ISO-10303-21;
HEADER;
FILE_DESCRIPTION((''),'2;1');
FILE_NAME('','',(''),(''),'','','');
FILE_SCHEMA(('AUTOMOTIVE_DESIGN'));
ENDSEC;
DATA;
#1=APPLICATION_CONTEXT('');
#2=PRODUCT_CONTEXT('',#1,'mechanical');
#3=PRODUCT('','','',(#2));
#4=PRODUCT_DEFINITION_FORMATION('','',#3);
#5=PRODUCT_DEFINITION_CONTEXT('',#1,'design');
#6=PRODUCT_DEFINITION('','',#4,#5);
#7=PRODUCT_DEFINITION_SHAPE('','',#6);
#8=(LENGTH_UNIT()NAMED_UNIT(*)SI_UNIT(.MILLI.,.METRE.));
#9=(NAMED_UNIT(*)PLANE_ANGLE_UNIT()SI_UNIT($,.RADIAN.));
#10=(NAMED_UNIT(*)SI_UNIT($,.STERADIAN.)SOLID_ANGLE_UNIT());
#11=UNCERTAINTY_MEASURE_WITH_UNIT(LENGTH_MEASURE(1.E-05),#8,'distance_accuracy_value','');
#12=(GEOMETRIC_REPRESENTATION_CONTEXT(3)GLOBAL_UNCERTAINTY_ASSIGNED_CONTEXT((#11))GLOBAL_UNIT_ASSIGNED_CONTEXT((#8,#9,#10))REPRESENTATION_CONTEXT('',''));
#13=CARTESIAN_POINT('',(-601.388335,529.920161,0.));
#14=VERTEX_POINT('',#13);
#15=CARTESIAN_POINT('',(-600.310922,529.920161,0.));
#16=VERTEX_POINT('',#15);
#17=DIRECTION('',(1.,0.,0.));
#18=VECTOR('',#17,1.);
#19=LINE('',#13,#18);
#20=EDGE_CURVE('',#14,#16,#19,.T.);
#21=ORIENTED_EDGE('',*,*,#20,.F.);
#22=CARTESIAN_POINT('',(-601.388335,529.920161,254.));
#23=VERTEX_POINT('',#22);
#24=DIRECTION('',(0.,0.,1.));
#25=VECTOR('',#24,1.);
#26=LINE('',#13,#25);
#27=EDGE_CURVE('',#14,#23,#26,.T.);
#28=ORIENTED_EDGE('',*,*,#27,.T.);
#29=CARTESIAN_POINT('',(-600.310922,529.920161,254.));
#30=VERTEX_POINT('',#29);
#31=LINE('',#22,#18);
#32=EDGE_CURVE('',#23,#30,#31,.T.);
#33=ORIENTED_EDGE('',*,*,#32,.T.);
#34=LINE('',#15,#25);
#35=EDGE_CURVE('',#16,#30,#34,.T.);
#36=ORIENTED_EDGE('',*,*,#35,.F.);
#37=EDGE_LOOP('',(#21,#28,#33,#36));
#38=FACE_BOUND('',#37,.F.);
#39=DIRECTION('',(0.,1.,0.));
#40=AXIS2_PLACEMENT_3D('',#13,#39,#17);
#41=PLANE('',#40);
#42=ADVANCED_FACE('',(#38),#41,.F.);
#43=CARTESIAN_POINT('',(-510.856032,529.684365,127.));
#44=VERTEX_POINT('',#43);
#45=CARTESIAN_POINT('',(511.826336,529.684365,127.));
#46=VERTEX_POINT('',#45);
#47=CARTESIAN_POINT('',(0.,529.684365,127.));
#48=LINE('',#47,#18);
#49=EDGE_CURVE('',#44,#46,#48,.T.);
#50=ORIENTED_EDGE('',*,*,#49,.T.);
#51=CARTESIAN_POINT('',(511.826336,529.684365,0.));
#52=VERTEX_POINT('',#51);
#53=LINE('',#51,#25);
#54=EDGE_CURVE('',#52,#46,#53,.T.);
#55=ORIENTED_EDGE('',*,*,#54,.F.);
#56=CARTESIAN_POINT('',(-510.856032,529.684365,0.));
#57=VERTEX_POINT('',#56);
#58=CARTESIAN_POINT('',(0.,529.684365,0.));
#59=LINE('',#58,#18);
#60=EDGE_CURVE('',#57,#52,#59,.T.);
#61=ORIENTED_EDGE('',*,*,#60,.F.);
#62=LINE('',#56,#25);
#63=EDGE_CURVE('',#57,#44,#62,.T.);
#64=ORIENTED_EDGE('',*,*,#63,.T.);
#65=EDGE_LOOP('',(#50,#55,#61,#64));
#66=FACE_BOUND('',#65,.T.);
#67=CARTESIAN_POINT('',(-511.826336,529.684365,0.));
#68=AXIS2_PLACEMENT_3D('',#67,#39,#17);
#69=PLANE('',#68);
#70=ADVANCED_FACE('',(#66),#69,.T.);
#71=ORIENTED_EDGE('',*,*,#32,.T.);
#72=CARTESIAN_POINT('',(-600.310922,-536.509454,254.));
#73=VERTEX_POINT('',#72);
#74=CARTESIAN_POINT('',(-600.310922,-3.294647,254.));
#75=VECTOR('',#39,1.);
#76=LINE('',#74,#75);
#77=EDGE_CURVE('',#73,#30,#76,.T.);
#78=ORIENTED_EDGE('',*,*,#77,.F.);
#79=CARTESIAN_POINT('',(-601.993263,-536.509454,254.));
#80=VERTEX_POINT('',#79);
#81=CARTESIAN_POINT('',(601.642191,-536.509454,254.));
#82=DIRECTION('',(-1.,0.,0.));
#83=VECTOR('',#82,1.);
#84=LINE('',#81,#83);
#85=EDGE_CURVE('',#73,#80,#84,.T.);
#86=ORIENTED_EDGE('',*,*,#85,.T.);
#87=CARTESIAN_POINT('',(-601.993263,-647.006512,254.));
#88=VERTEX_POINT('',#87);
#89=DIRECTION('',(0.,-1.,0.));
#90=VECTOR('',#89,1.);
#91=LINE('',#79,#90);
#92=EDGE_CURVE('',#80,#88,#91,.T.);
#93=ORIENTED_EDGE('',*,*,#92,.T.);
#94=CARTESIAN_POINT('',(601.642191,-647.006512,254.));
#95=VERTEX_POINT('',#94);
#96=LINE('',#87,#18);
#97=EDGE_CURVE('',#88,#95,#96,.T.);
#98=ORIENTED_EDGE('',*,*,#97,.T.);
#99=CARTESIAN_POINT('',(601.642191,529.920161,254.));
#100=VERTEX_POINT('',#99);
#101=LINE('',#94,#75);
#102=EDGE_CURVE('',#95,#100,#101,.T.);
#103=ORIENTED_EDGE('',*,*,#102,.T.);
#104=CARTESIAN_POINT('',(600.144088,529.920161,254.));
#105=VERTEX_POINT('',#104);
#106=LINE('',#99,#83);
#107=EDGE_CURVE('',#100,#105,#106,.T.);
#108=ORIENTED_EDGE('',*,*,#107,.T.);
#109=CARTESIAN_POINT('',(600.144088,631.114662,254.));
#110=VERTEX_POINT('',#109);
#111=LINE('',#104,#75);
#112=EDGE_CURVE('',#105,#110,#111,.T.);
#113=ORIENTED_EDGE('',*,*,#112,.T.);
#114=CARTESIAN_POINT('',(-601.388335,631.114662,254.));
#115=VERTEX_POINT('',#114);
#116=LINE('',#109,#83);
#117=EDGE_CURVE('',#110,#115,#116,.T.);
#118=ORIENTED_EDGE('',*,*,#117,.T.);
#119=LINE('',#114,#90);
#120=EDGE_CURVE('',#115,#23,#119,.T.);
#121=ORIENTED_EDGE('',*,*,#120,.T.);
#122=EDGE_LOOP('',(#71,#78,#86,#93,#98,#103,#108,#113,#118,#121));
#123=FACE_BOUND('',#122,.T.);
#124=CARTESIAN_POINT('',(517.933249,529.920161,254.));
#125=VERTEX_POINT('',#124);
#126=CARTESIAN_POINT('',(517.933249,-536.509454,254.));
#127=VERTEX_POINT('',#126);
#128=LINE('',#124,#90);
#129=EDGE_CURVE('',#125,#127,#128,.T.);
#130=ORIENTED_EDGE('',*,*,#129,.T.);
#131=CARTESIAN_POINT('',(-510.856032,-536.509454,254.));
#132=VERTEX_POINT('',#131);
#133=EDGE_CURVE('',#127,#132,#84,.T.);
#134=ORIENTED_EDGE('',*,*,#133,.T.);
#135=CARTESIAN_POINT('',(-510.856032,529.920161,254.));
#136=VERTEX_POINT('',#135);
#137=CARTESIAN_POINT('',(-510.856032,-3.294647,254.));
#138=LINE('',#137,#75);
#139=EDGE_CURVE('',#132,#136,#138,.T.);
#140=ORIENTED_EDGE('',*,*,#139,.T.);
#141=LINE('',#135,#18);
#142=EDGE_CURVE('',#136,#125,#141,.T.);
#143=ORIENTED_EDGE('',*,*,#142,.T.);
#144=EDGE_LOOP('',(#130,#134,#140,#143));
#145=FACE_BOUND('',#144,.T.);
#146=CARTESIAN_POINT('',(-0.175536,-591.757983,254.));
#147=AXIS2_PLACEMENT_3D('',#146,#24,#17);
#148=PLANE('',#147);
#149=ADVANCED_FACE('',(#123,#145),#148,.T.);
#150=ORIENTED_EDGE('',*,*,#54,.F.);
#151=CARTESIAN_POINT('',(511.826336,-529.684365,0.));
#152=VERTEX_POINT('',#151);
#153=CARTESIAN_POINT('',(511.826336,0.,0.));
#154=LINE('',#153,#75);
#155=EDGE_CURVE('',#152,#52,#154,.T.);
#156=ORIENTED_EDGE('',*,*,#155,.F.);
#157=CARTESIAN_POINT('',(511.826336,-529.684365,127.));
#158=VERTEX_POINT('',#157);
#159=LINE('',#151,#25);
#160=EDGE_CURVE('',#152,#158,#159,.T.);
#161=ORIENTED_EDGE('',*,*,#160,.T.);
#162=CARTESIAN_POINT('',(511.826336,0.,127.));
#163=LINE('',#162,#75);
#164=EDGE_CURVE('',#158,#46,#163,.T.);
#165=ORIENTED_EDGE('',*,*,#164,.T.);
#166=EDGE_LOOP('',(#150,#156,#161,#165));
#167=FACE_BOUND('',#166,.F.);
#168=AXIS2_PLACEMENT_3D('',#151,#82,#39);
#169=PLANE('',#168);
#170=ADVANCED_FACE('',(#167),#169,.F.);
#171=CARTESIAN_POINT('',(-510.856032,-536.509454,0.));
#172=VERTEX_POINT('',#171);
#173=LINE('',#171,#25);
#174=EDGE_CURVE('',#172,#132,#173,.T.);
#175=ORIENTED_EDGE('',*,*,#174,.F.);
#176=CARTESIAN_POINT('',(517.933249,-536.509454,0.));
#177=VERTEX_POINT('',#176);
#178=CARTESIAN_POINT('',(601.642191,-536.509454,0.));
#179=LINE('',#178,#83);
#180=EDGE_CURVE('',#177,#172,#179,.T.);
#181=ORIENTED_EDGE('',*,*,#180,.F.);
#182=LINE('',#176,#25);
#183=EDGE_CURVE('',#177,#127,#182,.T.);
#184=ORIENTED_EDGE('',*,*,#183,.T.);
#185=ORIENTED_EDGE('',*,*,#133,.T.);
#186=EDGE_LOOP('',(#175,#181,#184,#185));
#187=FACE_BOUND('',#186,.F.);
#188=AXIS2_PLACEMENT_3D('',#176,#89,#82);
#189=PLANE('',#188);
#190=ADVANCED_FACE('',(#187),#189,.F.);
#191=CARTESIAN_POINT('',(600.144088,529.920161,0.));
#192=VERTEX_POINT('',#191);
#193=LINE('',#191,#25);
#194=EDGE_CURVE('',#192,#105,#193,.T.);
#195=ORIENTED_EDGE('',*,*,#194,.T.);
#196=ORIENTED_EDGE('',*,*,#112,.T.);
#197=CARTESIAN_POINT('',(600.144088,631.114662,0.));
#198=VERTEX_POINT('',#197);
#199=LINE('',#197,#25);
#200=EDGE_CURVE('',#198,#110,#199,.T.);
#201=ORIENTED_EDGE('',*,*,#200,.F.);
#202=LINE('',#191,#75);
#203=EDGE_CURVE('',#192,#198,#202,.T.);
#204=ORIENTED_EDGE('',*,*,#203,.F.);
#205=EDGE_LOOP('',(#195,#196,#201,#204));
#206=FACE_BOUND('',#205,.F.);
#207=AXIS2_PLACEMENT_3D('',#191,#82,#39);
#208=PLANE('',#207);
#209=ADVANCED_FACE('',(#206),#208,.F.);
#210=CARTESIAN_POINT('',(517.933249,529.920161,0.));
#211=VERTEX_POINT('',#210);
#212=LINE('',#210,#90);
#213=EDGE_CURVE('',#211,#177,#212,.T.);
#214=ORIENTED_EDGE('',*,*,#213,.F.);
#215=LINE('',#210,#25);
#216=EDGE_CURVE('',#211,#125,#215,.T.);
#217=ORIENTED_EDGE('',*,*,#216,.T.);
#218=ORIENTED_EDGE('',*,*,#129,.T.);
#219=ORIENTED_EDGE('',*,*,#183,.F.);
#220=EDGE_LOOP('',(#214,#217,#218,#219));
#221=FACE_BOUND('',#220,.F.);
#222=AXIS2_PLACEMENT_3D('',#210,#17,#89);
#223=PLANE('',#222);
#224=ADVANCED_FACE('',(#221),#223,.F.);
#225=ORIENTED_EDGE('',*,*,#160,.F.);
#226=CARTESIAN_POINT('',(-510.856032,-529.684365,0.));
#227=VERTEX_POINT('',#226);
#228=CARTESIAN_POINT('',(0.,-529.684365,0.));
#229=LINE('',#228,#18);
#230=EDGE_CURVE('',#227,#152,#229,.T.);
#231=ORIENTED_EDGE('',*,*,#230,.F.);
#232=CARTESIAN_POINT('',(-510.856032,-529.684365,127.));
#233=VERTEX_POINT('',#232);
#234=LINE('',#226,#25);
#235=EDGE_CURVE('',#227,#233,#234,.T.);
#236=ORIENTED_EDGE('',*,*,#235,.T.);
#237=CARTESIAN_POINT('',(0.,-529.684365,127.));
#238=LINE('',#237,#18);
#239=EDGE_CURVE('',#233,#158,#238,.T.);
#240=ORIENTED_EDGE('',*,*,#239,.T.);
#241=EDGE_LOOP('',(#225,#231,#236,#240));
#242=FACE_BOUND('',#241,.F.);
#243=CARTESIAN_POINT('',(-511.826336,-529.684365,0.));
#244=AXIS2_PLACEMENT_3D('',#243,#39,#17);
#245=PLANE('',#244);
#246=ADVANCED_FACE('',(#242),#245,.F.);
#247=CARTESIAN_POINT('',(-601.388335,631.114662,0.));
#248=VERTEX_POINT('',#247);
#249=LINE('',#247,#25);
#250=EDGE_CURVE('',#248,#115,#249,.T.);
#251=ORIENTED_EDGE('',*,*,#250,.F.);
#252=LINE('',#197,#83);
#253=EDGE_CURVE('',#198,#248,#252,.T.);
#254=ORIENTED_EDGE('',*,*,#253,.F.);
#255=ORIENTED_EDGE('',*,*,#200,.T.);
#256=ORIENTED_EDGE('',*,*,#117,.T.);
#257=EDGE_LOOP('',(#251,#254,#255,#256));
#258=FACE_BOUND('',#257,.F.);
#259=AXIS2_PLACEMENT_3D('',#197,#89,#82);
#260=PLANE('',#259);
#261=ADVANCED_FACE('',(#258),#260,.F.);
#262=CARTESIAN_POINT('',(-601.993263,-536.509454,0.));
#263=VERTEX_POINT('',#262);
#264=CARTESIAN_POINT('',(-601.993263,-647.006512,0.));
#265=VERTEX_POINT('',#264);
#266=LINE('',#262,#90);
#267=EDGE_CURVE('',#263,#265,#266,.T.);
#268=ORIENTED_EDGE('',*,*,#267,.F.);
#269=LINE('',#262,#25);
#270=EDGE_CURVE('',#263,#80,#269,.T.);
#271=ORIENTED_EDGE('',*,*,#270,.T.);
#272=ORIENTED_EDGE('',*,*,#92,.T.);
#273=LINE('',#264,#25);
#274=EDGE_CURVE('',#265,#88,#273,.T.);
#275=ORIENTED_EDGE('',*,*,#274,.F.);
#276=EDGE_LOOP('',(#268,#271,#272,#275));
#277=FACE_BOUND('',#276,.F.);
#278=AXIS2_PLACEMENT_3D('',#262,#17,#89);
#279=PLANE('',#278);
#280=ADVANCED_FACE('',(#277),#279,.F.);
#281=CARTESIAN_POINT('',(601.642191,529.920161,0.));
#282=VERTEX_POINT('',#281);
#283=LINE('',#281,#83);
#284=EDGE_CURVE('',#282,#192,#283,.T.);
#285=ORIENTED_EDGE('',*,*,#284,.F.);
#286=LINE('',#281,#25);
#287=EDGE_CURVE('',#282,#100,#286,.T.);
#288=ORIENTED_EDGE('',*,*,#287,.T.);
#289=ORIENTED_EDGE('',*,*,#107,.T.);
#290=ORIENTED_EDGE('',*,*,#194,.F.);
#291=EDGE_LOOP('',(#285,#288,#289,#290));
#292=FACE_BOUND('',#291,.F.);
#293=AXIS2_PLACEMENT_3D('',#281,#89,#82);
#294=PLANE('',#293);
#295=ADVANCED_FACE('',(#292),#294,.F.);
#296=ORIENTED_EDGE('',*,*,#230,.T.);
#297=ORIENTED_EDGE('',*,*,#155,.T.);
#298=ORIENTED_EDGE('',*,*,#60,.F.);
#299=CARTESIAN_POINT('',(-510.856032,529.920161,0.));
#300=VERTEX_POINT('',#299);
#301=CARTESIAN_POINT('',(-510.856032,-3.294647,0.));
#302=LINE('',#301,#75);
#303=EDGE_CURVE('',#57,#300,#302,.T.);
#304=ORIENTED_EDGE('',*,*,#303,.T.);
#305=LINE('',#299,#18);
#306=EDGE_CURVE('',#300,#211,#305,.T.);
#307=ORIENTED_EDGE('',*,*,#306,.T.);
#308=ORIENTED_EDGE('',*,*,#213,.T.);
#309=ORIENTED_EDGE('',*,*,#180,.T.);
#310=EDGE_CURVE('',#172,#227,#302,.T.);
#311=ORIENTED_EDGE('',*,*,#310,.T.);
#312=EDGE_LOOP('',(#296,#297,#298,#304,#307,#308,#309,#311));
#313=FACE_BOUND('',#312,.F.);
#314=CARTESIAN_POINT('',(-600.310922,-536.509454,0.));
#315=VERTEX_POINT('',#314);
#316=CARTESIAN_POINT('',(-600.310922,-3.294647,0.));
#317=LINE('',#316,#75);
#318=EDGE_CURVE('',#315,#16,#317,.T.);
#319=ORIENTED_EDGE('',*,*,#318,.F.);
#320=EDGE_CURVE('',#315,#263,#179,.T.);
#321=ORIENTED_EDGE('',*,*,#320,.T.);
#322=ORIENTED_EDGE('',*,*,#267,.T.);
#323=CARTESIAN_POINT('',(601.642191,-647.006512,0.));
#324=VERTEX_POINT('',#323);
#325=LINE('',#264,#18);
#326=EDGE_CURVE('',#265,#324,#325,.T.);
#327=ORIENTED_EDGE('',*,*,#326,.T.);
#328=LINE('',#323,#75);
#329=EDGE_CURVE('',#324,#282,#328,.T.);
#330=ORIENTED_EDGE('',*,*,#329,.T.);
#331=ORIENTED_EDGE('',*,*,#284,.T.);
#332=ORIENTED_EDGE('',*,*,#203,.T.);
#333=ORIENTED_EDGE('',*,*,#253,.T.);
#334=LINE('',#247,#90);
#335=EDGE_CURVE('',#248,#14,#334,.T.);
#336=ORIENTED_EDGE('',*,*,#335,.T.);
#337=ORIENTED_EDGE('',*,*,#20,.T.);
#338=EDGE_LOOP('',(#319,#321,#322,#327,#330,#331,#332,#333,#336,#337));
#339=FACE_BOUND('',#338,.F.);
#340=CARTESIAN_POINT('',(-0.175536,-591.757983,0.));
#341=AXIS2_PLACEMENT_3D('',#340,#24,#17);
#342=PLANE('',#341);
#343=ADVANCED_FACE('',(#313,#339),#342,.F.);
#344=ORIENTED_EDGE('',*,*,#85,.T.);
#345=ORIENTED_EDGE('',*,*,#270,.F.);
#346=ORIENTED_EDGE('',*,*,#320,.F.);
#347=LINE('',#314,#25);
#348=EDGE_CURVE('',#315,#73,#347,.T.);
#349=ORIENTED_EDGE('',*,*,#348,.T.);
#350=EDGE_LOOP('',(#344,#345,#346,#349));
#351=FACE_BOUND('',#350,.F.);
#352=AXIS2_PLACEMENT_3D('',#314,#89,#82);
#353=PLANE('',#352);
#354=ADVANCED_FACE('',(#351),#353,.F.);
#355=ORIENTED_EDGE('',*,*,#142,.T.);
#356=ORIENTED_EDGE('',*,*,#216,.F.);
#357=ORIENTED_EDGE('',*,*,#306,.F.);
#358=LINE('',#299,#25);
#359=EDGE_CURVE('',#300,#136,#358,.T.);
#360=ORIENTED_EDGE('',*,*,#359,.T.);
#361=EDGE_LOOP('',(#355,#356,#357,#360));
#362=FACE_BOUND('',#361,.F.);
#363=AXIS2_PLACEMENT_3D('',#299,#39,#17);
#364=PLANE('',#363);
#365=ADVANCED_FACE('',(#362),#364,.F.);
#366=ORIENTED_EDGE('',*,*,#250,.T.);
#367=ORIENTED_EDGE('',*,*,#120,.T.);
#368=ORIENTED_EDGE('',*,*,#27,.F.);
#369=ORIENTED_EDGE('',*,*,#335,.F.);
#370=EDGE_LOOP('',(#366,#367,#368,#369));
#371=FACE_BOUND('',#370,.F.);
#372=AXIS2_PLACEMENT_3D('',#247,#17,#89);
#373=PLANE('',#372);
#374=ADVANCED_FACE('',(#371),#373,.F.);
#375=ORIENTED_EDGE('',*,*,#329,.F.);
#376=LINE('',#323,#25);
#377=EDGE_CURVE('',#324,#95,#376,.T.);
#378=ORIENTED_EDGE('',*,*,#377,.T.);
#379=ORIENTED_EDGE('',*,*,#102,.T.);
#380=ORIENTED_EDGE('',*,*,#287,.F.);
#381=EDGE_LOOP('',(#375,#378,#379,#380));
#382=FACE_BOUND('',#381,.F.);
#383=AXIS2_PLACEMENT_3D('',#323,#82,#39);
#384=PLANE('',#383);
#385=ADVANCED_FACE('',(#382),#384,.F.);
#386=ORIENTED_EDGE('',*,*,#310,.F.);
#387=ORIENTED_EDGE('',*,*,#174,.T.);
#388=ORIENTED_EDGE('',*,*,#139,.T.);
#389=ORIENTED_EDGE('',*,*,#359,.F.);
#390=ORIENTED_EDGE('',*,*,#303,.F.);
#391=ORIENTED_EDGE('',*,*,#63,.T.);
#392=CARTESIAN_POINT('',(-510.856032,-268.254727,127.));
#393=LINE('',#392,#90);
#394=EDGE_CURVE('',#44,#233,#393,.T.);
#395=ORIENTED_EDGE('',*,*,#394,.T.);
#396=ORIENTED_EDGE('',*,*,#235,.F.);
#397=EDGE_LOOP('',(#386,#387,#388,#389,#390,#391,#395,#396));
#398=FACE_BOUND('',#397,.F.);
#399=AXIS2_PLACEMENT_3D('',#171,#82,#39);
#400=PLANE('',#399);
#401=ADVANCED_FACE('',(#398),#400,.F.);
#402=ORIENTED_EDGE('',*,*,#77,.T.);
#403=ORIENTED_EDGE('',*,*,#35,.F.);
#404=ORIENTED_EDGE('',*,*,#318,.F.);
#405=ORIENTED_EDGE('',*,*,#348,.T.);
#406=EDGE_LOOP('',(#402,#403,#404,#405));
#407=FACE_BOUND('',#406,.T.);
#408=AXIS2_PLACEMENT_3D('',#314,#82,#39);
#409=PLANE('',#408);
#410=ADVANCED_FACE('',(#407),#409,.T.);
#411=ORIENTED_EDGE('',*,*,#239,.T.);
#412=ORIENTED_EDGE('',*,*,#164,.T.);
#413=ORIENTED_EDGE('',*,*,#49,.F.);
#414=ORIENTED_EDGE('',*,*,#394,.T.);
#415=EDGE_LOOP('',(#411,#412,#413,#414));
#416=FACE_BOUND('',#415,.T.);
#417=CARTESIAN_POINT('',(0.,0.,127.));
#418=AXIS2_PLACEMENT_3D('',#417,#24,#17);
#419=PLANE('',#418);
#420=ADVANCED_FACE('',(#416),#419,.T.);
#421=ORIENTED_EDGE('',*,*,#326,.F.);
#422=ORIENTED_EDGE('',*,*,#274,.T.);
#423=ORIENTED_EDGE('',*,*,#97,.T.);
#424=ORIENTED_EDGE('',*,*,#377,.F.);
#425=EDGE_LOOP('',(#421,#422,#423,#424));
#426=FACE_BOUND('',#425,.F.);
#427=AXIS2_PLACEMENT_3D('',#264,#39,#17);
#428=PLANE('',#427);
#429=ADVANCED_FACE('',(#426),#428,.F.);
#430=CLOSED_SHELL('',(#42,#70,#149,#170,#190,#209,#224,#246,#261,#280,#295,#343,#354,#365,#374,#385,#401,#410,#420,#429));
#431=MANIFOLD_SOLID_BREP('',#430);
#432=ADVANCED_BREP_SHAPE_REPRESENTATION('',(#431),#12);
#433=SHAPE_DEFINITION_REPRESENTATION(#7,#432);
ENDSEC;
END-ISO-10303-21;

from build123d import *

# Parameters (mm, degrees)
F0_W     = 1023.6526727676
F0_H     = 1059.3687295914
F2_DEPTH = 127
F1_W     = 89.4548892975
F1_H     = 1066.4296150208
F3_DEPTH = 254


with BuildPart() as f2:
    # F0 (on Top) → F2 (new body)
    with BuildSketch(Plane.XY):
        Rectangle(F0_W, F0_H)
    extrude(amount=F2_DEPTH)

    # F1 (on face) → F3 (join)
    with BuildSketch(Plane.XY):
        Polygon((-600.310921669, -536.5094542503), (-601.9932627678, -536.5094542503), (-601.9932627678, -647.0065116882), (601.6421914101, -647.0065116882), (601.6421914101, -536.5094542503), (517.9332494736, -536.5094542503), (-510.8560323715, -536.5094542503), align=None)
        with Locations((-555.5834770203, -3.29464674)):
            Rectangle(F1_W, F1_H)
        Polygon((-601.388335228, 529.9201607704), (-600.310921669, 529.9201607704), (-510.8560323715, 529.9201607704), (517.9332494736, 529.9201607704), (600.1440882683, 529.9201607704), (600.1440882683, 631.1146616936), (-601.388335228, 631.1146616936), align=None)
        Polygon((517.9332494736, 529.9201607704), (517.9332494736, -536.5094542503), (601.6421914101, -536.5094542503), (601.6421914101, 529.9201607704), (600.1440882683, 529.9201607704), align=None)
    extrude(amount=F3_DEPTH)


solid = f2.part
